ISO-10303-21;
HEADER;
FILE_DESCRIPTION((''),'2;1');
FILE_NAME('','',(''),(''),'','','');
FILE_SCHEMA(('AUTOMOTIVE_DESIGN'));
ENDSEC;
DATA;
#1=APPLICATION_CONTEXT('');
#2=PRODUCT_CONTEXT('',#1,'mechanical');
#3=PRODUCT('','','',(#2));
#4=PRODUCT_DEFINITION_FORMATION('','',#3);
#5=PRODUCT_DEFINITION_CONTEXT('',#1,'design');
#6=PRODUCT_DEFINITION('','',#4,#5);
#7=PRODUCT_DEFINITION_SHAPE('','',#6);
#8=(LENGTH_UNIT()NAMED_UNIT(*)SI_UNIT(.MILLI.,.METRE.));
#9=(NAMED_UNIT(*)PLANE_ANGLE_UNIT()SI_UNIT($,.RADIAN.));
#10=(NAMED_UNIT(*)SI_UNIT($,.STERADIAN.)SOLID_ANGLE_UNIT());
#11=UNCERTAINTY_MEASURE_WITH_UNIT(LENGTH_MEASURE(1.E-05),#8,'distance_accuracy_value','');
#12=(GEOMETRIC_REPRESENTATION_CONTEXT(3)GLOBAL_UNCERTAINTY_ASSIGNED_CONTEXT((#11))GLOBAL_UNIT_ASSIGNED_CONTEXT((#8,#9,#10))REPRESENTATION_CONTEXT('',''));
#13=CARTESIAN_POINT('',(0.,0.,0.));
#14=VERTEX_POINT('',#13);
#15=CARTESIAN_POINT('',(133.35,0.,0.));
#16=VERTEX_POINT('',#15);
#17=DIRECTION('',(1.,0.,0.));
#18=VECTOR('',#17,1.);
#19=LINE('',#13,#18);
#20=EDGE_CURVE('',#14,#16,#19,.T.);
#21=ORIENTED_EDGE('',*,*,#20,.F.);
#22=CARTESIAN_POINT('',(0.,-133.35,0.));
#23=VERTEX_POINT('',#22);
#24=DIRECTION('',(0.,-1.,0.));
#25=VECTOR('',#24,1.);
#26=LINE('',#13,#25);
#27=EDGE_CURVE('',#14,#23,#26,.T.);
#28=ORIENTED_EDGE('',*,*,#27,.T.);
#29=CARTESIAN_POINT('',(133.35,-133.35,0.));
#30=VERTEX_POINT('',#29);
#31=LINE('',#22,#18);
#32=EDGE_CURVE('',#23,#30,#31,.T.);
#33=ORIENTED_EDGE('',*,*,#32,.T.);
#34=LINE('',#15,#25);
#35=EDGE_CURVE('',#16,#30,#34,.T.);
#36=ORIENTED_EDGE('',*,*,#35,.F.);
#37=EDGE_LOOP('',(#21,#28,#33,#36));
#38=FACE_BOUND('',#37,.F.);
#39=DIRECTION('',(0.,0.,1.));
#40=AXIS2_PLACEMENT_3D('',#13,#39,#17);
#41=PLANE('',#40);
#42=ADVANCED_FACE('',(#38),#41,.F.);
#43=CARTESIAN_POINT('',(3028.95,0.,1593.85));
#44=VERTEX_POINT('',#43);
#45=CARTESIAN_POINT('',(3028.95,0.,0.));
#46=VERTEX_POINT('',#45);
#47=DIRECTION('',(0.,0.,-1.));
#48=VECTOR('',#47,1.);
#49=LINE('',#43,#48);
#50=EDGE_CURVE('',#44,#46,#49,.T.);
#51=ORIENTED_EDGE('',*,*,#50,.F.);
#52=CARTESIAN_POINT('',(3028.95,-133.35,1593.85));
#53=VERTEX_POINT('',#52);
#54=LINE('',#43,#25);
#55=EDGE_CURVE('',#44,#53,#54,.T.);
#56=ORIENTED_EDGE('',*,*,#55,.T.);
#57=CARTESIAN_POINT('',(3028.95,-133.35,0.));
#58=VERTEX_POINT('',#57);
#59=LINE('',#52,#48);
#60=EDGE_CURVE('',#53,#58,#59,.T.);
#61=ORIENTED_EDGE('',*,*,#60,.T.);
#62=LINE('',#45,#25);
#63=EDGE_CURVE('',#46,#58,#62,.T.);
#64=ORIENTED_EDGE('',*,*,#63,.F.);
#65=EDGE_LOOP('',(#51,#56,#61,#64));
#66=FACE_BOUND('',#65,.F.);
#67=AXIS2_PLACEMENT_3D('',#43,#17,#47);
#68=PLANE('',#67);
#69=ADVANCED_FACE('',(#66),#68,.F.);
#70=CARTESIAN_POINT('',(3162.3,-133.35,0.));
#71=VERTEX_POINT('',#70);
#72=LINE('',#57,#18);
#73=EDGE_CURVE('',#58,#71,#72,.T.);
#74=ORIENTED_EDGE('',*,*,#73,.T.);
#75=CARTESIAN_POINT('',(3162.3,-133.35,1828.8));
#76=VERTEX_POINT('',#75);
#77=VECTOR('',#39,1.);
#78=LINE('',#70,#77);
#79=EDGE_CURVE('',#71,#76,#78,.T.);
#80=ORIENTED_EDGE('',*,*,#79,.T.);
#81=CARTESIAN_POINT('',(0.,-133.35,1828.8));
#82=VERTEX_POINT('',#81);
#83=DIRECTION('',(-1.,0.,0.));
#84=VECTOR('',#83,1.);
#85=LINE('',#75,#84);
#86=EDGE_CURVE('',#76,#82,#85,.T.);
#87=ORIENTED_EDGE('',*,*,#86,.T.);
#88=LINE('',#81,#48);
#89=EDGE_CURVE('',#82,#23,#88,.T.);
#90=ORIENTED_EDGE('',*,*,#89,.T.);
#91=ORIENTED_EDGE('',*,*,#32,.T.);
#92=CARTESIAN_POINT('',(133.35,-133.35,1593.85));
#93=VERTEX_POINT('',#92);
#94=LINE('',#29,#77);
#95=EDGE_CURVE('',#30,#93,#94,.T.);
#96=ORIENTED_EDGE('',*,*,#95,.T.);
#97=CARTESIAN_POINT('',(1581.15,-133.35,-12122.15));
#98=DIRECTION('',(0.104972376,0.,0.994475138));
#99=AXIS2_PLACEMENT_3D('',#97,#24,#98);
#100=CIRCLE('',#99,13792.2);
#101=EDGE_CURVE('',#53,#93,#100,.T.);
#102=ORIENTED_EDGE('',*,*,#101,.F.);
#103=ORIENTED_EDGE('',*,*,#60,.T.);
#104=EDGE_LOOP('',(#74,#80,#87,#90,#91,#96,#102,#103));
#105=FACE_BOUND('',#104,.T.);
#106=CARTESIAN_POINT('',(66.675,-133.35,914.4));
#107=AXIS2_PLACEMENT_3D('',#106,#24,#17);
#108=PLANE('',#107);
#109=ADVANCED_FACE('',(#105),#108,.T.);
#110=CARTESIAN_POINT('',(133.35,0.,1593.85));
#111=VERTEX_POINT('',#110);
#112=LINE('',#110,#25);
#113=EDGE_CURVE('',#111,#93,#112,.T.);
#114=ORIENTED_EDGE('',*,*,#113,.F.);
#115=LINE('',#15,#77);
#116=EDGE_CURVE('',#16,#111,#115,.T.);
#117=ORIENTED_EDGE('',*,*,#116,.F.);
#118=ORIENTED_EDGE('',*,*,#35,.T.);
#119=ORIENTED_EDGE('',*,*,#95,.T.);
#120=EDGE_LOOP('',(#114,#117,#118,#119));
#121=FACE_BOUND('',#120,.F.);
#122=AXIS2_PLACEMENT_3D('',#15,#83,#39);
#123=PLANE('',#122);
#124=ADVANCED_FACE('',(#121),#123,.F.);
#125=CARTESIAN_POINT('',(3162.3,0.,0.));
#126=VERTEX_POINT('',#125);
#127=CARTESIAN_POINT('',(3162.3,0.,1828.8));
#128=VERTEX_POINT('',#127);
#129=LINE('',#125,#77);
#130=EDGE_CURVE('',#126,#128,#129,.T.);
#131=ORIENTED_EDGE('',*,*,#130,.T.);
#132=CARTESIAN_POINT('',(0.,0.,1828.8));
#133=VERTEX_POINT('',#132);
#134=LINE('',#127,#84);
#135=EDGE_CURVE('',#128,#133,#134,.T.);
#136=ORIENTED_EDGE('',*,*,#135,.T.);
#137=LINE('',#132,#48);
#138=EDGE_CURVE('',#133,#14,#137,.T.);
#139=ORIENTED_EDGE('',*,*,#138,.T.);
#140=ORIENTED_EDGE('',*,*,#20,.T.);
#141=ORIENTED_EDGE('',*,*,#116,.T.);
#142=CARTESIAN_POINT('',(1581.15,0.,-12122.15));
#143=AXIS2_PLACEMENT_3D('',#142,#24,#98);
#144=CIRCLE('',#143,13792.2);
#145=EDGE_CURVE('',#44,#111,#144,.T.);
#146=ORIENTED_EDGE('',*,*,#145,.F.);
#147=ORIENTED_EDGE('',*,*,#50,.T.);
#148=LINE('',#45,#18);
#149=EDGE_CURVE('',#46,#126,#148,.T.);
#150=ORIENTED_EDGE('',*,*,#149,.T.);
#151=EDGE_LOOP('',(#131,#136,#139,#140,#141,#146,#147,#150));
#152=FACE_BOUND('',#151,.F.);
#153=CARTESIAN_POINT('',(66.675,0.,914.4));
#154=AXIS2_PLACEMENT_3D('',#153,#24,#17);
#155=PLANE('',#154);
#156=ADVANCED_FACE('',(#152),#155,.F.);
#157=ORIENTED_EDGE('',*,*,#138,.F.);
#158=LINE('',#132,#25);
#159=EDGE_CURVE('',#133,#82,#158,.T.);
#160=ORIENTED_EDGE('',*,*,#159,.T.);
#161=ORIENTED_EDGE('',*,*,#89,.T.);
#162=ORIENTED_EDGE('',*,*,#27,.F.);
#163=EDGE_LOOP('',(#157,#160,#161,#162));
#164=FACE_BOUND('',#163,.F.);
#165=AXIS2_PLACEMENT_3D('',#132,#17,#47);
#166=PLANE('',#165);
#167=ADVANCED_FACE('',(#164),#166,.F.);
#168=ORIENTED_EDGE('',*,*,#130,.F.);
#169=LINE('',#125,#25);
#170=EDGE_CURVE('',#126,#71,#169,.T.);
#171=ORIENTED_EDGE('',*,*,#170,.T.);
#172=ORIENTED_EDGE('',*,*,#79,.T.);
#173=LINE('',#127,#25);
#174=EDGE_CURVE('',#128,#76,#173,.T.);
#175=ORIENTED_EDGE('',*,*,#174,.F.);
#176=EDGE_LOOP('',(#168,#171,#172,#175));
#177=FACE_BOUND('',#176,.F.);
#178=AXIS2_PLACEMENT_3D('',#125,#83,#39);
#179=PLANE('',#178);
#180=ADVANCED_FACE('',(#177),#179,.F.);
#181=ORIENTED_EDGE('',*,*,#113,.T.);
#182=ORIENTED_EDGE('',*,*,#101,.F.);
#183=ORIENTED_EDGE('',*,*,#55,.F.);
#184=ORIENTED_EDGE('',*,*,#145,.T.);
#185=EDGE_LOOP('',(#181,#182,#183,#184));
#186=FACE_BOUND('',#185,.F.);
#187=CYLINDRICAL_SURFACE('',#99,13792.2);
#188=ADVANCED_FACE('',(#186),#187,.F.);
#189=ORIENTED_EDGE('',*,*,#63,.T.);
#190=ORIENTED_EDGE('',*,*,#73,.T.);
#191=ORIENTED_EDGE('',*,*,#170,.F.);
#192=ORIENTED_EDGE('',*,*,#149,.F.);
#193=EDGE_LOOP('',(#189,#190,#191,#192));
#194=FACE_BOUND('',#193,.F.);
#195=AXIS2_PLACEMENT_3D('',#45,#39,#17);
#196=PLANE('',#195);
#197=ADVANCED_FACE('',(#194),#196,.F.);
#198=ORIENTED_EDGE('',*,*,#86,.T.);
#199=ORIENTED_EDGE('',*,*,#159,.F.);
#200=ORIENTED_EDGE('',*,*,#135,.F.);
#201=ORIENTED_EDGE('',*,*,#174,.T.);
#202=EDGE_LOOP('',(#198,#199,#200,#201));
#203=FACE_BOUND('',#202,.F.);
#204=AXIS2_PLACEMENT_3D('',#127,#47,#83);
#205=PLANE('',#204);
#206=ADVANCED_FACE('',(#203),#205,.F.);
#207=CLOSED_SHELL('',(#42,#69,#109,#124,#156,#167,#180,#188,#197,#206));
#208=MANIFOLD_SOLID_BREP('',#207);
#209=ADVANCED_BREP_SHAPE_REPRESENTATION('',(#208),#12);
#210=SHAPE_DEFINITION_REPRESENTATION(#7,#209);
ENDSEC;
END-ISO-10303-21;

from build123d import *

# Parameters (mm, degrees)
F0_W     = 2895.6
F0_H     = 234.95
F1_DEPTH = 133.35
F3_DEPTH = 133.351


with BuildPart() as f1:
    # F0 (on Front) → F1 (new body)
    with BuildSketch(Plane.XZ):
        Polygon((0, 1828.8), (0, 0), (133.35, 0), (133.35, 1593.85), (133.35, 1828.8), align=None)
        with Locations((1581.15, 1711.325)):
            Rectangle(F0_W, F0_H)
        Polygon((3028.95, 1828.8), (3028.95, 1593.85), (3028.95, 0), (3162.3, 0), (3162.3, 1828.8), align=None)
    extrude(amount=F1_DEPTH)

    # F2 (on face) → F3 (cut, through all)
    with BuildSketch(Plane.XZ.offset(133.35)):
        with BuildLine():
            Line((133.35, 1593.85), (3028.95, 1593.85))
            ThreePointArc((3028.95, 1593.85), (1581.15, 1670.05), (133.35, 1593.85))
        make_face()
    extrude(amount=-F3_DEPTH, mode=Mode.SUBTRACT)


solid = f1.part
